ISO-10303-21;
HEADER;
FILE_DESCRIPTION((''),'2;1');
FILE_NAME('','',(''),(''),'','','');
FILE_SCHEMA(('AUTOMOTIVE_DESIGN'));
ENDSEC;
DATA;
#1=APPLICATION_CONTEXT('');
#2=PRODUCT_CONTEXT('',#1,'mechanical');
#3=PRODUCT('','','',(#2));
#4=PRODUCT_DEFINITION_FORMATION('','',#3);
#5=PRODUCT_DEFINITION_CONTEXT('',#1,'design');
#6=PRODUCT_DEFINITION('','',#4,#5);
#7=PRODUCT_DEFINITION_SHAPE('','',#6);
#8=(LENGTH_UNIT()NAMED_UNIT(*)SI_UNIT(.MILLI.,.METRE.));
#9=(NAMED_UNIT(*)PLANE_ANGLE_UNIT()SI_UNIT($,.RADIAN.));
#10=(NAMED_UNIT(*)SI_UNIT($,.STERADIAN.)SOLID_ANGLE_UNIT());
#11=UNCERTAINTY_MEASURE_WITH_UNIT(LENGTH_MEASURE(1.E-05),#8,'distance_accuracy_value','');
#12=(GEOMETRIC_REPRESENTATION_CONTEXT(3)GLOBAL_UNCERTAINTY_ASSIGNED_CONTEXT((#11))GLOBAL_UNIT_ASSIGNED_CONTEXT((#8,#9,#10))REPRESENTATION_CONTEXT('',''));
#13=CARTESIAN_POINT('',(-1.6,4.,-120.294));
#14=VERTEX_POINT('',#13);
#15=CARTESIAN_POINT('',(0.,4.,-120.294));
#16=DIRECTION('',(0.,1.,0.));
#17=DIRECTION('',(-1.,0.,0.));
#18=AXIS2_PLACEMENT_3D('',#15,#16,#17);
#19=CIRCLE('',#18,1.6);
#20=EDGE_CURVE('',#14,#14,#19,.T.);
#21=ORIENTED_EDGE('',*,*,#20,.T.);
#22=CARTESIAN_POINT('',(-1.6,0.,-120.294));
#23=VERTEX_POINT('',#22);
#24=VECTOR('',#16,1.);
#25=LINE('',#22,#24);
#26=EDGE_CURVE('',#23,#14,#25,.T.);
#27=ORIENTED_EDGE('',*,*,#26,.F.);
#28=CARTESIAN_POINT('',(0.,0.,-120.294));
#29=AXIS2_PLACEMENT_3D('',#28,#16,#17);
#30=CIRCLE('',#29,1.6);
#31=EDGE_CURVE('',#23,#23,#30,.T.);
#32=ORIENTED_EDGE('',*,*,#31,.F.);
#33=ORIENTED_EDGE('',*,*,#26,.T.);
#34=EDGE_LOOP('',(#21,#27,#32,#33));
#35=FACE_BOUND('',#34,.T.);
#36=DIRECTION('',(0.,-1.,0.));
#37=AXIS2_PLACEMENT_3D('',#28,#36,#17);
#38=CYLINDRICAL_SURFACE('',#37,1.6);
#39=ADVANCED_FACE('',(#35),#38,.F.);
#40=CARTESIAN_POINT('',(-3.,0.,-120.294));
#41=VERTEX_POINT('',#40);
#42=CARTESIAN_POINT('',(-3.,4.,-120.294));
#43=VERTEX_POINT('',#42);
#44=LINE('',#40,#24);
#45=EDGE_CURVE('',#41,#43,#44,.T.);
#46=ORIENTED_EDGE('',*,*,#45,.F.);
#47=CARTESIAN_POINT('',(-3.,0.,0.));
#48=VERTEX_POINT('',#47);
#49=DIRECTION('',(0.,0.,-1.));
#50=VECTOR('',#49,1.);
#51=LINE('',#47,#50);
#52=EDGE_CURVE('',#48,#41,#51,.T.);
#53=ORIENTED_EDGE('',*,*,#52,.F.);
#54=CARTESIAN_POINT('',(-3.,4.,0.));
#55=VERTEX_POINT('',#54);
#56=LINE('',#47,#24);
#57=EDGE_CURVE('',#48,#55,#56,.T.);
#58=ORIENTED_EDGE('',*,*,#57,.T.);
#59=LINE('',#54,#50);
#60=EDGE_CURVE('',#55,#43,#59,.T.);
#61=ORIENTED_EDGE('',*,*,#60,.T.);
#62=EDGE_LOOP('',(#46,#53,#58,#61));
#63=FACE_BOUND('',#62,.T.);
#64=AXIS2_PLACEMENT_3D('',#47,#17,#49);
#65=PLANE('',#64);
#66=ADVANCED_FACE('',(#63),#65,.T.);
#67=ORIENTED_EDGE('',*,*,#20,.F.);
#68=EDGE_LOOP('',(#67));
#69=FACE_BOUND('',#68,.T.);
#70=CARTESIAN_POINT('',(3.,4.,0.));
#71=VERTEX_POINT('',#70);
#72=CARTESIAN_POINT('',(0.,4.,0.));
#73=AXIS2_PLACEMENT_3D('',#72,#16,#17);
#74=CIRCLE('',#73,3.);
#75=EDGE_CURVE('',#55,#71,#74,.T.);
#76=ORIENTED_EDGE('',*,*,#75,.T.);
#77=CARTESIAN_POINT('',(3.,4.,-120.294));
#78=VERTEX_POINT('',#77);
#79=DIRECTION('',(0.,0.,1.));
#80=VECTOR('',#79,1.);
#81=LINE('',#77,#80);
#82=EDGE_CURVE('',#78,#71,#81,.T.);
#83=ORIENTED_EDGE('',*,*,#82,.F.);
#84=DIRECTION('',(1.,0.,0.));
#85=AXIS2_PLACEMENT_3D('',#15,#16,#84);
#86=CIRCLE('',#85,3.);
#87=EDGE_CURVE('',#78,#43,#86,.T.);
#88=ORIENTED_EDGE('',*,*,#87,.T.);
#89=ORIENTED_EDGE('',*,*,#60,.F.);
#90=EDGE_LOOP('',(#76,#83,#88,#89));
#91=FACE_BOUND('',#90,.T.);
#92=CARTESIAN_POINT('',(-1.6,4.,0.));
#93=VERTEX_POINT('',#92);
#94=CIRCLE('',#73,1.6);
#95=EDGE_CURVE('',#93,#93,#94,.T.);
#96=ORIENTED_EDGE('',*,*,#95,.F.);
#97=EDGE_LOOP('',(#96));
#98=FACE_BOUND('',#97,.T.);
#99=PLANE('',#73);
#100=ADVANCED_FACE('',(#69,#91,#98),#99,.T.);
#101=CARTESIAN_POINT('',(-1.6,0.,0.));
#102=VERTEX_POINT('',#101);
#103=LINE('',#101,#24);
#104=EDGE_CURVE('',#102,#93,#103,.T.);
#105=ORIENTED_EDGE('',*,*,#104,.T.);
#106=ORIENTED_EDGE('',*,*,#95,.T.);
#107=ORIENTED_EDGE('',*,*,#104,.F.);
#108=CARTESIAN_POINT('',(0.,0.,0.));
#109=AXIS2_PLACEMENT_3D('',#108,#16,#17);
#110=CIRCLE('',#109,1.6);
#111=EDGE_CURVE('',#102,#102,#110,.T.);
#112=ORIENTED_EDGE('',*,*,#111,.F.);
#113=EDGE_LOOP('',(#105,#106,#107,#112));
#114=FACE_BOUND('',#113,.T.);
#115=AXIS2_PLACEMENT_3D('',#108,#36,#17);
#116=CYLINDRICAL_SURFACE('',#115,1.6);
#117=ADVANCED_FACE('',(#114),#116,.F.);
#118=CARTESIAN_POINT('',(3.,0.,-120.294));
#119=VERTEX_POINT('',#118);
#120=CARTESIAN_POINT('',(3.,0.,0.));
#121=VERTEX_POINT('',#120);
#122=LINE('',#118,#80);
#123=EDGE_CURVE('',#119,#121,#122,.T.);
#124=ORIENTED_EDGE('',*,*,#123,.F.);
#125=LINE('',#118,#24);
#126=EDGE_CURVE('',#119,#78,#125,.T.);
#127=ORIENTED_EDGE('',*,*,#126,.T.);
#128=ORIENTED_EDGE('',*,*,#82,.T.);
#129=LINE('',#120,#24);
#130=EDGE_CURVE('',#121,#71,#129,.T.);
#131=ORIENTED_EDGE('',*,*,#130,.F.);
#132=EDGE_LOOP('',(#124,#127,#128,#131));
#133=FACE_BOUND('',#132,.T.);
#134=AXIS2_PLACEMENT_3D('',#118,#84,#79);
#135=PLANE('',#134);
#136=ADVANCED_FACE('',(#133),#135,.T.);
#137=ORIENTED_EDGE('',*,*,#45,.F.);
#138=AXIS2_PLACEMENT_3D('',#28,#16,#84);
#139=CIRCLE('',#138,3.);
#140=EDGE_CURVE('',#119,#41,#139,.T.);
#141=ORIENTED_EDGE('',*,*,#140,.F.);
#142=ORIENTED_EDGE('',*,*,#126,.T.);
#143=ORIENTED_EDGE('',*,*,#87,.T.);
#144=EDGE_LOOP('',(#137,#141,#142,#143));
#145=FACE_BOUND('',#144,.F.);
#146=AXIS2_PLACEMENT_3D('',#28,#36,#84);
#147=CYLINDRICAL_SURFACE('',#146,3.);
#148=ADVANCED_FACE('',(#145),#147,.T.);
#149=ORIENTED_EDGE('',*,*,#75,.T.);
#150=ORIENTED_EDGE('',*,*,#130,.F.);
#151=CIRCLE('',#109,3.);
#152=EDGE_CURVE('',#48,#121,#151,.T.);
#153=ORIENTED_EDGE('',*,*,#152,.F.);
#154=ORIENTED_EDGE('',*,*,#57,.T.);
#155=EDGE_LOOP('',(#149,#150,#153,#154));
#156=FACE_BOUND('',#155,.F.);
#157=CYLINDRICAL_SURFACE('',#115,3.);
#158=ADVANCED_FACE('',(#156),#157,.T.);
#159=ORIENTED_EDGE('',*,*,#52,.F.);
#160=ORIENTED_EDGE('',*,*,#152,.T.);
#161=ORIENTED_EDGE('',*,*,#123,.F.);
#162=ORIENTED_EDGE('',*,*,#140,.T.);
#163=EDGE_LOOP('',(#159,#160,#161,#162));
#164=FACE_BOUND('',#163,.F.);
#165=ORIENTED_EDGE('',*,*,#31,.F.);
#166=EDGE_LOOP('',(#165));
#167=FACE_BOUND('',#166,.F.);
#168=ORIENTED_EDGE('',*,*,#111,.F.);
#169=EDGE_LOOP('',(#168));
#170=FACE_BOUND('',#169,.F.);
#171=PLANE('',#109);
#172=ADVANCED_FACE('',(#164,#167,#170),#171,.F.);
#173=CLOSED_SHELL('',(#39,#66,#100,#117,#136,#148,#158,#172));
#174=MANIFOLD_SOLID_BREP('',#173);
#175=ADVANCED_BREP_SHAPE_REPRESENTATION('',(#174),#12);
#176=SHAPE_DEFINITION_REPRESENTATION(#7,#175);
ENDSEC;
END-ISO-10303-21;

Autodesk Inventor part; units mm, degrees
ref_plane "YZ Plane" through (0, 0, 0) normal (1, 0, 0) x (0, 1, 0)
ref_plane "XZ Plane" through (0, 0, 0) normal (0, 1, 0) x (-1, 0, 0)
ref_plane "XY Plane" through (0, 0, 0) normal (0, 0, 1) x (1, 0, 0)
sketch "Sketch1" plane through (0, 0, 0) normal (0, 1, 0) x (-1, 0, 0)
  line L0 (0, 0) -> (0, -120.294) construction
  line L1 (3, 0) -> (3, -120.294)
  line L2 (-3, -120.294) -> (-3, 0)
  arc A0 (3, 0) -> (-3, 0) centre (0, 0) ccw
  arc A1 (-3, -120.294) -> (3, -120.294) centre (0, -120.294) ccw
  circle A2 centre (0, 0) radius 1.6
  circle A3 centre (0, -120.294) radius 1.6
  point P0 (0, -60.147)
  dimension "d0" = 3.2
  dimension "d1" = 3.2
  dimension "d2" = 6
  dimension "d3" = 120.294
extrude "Extrusion1" add sketch "Sketch1" along normal blind 4
